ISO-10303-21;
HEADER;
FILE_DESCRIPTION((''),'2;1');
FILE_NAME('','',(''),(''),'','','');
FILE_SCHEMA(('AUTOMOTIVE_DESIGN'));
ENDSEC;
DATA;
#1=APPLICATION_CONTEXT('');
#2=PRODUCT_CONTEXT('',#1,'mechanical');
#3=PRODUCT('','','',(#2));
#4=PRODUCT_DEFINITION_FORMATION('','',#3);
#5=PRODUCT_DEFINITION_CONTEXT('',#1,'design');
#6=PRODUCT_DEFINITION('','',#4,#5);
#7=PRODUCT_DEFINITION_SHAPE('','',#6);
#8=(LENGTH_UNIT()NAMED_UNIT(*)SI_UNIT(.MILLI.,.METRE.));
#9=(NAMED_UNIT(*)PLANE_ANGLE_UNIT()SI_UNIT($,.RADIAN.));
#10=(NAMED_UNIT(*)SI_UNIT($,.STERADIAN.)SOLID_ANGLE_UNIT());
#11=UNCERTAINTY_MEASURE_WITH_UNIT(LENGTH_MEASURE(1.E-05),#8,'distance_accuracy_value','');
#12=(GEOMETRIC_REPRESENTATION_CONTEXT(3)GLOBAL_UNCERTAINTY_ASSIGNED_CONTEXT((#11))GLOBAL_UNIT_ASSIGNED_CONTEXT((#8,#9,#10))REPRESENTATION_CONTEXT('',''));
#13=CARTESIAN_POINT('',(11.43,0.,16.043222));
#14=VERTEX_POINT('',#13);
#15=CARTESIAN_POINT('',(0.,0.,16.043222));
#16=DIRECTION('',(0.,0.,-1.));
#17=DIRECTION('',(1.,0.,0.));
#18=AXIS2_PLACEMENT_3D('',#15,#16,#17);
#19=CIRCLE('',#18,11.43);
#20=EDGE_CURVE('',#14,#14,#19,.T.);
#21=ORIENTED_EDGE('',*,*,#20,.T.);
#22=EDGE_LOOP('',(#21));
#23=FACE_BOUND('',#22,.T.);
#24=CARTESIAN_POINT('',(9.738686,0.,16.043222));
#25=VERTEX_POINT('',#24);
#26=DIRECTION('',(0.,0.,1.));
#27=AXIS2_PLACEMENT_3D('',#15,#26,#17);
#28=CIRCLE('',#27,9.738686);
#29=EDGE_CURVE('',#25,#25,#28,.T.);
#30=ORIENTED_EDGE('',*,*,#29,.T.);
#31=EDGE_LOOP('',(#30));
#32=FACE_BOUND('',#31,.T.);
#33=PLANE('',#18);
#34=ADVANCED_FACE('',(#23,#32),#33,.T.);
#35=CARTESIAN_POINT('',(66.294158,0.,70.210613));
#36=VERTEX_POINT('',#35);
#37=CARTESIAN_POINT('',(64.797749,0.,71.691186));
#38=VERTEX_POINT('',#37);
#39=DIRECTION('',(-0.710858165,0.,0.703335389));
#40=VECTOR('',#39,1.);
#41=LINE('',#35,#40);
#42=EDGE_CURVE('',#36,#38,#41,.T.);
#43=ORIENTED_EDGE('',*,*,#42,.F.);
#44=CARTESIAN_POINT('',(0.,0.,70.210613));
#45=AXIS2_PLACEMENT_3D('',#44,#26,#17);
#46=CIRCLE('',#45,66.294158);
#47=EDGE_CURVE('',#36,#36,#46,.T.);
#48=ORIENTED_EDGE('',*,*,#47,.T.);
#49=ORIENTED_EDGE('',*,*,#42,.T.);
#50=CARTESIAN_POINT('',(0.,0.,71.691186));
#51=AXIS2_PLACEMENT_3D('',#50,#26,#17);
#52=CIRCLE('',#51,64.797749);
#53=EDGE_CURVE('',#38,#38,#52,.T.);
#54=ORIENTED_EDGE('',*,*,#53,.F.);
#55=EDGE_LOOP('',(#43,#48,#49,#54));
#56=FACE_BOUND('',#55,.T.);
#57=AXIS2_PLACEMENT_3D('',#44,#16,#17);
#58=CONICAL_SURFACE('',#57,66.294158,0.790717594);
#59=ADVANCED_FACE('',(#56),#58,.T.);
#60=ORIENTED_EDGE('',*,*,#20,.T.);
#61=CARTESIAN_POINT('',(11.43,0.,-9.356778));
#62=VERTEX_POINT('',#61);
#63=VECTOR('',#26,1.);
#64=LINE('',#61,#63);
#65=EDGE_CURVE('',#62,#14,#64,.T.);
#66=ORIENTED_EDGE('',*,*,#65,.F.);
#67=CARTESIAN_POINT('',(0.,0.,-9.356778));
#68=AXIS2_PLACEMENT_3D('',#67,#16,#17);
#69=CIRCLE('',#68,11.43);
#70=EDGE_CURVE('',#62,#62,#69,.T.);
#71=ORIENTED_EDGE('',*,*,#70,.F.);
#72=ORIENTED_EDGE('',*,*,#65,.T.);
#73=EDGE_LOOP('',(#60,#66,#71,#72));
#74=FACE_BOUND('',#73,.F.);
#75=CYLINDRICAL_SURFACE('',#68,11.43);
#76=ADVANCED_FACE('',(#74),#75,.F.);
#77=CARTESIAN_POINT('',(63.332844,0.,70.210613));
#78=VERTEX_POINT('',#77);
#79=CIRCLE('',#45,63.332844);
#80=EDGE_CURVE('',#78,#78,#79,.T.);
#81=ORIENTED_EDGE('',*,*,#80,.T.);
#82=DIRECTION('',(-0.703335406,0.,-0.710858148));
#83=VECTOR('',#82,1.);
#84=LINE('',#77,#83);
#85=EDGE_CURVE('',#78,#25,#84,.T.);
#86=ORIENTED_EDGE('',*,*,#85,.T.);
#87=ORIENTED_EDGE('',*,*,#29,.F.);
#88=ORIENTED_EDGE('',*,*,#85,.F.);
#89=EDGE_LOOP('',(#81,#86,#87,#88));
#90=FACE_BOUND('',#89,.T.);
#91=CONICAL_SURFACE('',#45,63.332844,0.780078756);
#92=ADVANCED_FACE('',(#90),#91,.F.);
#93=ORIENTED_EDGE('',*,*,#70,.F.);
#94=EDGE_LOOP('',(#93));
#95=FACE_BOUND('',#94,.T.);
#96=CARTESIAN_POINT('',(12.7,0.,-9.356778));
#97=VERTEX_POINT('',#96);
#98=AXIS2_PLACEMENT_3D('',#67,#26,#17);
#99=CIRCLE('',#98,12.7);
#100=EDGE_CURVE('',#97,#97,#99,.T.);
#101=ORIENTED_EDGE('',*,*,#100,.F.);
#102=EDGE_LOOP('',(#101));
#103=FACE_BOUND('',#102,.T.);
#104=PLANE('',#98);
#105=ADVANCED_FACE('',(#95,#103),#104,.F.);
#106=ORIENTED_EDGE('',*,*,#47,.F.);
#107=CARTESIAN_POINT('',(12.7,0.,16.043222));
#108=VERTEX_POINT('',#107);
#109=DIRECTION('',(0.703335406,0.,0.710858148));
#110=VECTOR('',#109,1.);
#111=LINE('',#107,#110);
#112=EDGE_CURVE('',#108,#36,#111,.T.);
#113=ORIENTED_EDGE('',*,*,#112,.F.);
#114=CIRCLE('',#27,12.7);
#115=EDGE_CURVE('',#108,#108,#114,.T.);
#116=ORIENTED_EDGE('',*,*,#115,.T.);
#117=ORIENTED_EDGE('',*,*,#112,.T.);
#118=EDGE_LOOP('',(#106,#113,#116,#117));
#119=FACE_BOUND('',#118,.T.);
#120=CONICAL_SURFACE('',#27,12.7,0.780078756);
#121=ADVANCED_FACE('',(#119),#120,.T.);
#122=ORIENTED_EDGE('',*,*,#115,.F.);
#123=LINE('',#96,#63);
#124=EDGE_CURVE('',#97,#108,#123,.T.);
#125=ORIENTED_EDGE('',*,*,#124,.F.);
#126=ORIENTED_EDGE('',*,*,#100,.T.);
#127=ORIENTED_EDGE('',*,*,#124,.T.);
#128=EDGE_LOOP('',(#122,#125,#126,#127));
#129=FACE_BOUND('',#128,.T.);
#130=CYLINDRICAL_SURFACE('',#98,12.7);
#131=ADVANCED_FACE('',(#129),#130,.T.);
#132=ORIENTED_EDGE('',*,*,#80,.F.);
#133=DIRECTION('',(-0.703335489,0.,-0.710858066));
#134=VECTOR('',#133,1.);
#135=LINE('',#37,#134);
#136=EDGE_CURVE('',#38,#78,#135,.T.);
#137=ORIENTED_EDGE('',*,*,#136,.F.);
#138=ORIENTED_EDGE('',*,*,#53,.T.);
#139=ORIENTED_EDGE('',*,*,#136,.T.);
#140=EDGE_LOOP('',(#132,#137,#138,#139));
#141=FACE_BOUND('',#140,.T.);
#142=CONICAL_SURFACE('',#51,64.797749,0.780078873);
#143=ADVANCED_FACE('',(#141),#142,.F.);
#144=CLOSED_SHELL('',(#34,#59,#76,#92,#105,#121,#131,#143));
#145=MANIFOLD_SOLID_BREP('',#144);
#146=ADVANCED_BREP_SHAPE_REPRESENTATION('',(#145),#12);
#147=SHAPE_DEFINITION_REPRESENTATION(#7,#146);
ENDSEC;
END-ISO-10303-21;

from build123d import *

# Parameters (mm, degrees)
F1_FACE_R = 12.7
F2_DEPTH  = 25.4
F3_R      = 11.43
F4_DEPTH  = 25.4


with BuildPart() as f1:
    # F0 (on Front) → F1 (revolve)
    with BuildSketch(Plane.XZ):
        Polygon((0, -9.356778), (12.7, -9.356778), (12.7, 16.043222), (66.294158, 70.210613), (64.797749, 71.691186), (63.332844, 70.210613), (9.738686, 16.043222), (0, 16.043222), align=None)
    revolve(axis=Axis((0, 0, 3.343222), (0, 0, 1)))

    # F1_face (on face) → F2 (cut)
    with BuildSketch(Plane(origin=(0, 0, -9.356778), x_dir=(1, 0, 0), z_dir=(0, 0, -1))):
        Circle(F1_FACE_R)
    extrude(amount=F2_DEPTH, mode=Mode.SUBTRACT)

    # F3 (on face) → F4 (cut)
    with BuildSketch(Plane(origin=(0, 0, -9.356778), x_dir=(1, 0, 0), z_dir=(0, 0, -1))):
        Circle(F3_R)
    extrude(amount=-F4_DEPTH, mode=Mode.SUBTRACT)


solid = f1.part
